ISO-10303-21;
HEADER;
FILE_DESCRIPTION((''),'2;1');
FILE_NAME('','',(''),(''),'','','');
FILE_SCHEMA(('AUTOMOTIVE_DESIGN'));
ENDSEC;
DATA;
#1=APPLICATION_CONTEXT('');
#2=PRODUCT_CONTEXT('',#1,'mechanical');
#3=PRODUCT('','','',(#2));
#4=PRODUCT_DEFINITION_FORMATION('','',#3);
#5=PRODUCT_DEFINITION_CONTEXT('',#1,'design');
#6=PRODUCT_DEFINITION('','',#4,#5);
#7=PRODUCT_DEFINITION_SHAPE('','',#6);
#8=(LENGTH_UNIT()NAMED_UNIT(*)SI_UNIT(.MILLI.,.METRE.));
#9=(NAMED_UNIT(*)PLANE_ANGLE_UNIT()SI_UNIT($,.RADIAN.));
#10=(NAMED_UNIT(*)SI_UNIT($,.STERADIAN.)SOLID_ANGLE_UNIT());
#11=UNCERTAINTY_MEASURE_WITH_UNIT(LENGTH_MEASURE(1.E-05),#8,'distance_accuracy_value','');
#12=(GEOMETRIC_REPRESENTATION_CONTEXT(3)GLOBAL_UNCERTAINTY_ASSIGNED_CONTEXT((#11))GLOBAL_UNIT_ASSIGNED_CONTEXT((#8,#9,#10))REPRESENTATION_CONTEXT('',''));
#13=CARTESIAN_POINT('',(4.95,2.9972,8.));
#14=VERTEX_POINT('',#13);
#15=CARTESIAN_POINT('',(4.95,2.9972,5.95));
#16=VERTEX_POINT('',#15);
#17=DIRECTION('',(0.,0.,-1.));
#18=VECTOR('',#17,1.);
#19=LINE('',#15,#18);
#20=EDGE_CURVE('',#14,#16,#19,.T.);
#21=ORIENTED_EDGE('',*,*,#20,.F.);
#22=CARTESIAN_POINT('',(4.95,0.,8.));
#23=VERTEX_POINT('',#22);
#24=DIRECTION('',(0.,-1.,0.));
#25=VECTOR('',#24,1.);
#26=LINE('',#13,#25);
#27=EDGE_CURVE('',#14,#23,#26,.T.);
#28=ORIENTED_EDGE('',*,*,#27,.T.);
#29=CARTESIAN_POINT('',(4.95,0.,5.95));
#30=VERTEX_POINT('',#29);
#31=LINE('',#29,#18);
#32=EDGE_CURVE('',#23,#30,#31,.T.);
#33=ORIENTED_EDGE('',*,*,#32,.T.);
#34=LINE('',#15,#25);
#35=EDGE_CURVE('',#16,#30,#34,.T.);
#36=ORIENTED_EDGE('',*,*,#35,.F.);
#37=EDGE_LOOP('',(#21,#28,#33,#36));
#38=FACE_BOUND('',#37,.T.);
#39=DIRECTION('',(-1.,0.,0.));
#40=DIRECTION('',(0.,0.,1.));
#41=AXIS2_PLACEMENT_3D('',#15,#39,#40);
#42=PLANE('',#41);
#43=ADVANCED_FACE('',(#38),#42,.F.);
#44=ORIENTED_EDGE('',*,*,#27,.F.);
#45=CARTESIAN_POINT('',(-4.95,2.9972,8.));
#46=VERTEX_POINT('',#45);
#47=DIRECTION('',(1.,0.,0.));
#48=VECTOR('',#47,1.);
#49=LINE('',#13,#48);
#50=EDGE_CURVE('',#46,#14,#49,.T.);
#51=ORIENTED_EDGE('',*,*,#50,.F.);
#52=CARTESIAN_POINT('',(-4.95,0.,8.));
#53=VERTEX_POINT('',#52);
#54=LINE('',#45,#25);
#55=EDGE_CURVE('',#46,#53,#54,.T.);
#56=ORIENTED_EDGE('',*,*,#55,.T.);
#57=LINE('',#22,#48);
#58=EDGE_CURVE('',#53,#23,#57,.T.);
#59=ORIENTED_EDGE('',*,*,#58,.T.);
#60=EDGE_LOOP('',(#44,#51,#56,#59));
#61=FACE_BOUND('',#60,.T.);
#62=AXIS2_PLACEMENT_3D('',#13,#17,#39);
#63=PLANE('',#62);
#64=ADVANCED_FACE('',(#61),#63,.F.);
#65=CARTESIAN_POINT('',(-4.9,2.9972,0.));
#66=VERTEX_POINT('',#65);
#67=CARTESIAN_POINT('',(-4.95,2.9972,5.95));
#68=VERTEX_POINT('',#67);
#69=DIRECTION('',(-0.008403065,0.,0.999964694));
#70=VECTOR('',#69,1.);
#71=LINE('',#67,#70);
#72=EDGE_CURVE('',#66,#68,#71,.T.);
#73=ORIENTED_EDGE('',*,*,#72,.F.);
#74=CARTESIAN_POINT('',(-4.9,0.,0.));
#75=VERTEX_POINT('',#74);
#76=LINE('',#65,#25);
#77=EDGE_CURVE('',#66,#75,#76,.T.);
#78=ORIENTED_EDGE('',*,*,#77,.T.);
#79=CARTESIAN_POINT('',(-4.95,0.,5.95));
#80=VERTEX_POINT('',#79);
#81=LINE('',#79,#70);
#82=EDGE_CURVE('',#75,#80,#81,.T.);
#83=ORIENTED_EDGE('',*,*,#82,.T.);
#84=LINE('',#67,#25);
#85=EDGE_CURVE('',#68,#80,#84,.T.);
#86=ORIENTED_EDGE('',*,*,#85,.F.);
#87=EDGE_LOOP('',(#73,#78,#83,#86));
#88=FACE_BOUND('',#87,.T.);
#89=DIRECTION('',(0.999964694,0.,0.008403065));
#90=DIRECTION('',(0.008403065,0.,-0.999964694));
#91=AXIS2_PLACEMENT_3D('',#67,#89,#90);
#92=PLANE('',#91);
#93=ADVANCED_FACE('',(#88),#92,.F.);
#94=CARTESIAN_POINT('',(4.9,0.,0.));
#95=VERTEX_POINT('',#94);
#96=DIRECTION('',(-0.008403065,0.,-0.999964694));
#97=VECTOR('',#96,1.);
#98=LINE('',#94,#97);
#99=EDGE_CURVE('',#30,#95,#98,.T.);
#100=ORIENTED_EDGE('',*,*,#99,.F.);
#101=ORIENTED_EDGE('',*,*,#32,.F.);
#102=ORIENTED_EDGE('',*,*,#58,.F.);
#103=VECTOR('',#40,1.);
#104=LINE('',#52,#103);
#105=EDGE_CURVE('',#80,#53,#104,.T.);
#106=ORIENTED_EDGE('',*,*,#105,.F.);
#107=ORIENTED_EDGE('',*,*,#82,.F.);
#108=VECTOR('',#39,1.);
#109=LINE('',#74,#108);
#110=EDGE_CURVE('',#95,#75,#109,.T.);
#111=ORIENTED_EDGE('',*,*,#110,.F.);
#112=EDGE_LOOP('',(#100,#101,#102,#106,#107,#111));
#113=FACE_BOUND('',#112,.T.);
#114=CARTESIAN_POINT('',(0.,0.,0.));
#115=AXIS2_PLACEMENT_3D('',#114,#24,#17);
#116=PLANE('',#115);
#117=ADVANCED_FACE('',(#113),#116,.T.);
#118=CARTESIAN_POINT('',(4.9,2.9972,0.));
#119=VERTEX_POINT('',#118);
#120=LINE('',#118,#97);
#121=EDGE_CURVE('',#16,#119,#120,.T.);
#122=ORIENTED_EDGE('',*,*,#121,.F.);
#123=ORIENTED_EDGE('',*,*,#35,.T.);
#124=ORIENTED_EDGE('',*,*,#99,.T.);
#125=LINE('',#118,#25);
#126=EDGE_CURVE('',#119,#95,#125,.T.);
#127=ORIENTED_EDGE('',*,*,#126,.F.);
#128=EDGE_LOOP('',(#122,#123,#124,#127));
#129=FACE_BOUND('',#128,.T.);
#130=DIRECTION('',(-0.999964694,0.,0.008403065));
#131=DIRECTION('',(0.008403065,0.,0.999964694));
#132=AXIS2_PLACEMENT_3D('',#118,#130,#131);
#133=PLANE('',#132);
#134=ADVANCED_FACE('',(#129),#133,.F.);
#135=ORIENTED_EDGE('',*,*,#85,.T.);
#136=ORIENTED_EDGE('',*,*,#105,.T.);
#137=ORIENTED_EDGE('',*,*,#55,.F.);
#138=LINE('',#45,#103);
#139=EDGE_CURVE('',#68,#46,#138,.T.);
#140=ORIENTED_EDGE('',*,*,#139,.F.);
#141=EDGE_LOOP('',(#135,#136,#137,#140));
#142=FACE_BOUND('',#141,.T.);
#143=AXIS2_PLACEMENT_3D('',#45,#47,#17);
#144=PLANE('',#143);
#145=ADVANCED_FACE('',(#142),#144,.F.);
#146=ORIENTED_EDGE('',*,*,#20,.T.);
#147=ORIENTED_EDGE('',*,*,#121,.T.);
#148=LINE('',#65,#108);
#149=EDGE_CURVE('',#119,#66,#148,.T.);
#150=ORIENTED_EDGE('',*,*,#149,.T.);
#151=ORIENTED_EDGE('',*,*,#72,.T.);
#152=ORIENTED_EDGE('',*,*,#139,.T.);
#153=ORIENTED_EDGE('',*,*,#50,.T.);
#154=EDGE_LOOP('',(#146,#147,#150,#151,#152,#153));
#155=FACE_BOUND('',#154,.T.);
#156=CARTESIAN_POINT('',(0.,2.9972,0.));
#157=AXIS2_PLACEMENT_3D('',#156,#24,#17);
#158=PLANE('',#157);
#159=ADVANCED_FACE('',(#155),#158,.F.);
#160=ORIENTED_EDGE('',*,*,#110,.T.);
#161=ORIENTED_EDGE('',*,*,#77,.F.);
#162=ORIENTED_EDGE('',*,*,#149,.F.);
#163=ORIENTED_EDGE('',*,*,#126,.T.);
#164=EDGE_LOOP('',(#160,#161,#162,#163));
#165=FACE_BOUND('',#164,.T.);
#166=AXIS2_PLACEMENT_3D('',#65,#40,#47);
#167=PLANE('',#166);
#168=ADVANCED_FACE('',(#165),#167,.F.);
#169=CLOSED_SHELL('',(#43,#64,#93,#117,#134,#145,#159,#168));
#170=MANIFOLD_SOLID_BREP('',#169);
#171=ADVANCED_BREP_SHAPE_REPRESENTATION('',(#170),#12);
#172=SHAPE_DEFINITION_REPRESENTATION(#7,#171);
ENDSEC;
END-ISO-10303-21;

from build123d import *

# Parameters (mm, degrees)
BOSS_EXTRUDE1_DEPTH = 2.9972


with BuildPart() as part:
    # Sketch1 → Boss-Extrude1 (new body)
    with BuildSketch(Plane(origin=(0, 0, 0), x_dir=(1, 0, 0), z_dir=(0, 1, 0))):
        Polygon((-4.9, 0), (4.9, 0), (4.95, -5.95), (4.95, -8), (-4.95, -8), (-4.95, -5.95), align=None)
    extrude(amount=BOSS_EXTRUDE1_DEPTH)


solid = part.part
